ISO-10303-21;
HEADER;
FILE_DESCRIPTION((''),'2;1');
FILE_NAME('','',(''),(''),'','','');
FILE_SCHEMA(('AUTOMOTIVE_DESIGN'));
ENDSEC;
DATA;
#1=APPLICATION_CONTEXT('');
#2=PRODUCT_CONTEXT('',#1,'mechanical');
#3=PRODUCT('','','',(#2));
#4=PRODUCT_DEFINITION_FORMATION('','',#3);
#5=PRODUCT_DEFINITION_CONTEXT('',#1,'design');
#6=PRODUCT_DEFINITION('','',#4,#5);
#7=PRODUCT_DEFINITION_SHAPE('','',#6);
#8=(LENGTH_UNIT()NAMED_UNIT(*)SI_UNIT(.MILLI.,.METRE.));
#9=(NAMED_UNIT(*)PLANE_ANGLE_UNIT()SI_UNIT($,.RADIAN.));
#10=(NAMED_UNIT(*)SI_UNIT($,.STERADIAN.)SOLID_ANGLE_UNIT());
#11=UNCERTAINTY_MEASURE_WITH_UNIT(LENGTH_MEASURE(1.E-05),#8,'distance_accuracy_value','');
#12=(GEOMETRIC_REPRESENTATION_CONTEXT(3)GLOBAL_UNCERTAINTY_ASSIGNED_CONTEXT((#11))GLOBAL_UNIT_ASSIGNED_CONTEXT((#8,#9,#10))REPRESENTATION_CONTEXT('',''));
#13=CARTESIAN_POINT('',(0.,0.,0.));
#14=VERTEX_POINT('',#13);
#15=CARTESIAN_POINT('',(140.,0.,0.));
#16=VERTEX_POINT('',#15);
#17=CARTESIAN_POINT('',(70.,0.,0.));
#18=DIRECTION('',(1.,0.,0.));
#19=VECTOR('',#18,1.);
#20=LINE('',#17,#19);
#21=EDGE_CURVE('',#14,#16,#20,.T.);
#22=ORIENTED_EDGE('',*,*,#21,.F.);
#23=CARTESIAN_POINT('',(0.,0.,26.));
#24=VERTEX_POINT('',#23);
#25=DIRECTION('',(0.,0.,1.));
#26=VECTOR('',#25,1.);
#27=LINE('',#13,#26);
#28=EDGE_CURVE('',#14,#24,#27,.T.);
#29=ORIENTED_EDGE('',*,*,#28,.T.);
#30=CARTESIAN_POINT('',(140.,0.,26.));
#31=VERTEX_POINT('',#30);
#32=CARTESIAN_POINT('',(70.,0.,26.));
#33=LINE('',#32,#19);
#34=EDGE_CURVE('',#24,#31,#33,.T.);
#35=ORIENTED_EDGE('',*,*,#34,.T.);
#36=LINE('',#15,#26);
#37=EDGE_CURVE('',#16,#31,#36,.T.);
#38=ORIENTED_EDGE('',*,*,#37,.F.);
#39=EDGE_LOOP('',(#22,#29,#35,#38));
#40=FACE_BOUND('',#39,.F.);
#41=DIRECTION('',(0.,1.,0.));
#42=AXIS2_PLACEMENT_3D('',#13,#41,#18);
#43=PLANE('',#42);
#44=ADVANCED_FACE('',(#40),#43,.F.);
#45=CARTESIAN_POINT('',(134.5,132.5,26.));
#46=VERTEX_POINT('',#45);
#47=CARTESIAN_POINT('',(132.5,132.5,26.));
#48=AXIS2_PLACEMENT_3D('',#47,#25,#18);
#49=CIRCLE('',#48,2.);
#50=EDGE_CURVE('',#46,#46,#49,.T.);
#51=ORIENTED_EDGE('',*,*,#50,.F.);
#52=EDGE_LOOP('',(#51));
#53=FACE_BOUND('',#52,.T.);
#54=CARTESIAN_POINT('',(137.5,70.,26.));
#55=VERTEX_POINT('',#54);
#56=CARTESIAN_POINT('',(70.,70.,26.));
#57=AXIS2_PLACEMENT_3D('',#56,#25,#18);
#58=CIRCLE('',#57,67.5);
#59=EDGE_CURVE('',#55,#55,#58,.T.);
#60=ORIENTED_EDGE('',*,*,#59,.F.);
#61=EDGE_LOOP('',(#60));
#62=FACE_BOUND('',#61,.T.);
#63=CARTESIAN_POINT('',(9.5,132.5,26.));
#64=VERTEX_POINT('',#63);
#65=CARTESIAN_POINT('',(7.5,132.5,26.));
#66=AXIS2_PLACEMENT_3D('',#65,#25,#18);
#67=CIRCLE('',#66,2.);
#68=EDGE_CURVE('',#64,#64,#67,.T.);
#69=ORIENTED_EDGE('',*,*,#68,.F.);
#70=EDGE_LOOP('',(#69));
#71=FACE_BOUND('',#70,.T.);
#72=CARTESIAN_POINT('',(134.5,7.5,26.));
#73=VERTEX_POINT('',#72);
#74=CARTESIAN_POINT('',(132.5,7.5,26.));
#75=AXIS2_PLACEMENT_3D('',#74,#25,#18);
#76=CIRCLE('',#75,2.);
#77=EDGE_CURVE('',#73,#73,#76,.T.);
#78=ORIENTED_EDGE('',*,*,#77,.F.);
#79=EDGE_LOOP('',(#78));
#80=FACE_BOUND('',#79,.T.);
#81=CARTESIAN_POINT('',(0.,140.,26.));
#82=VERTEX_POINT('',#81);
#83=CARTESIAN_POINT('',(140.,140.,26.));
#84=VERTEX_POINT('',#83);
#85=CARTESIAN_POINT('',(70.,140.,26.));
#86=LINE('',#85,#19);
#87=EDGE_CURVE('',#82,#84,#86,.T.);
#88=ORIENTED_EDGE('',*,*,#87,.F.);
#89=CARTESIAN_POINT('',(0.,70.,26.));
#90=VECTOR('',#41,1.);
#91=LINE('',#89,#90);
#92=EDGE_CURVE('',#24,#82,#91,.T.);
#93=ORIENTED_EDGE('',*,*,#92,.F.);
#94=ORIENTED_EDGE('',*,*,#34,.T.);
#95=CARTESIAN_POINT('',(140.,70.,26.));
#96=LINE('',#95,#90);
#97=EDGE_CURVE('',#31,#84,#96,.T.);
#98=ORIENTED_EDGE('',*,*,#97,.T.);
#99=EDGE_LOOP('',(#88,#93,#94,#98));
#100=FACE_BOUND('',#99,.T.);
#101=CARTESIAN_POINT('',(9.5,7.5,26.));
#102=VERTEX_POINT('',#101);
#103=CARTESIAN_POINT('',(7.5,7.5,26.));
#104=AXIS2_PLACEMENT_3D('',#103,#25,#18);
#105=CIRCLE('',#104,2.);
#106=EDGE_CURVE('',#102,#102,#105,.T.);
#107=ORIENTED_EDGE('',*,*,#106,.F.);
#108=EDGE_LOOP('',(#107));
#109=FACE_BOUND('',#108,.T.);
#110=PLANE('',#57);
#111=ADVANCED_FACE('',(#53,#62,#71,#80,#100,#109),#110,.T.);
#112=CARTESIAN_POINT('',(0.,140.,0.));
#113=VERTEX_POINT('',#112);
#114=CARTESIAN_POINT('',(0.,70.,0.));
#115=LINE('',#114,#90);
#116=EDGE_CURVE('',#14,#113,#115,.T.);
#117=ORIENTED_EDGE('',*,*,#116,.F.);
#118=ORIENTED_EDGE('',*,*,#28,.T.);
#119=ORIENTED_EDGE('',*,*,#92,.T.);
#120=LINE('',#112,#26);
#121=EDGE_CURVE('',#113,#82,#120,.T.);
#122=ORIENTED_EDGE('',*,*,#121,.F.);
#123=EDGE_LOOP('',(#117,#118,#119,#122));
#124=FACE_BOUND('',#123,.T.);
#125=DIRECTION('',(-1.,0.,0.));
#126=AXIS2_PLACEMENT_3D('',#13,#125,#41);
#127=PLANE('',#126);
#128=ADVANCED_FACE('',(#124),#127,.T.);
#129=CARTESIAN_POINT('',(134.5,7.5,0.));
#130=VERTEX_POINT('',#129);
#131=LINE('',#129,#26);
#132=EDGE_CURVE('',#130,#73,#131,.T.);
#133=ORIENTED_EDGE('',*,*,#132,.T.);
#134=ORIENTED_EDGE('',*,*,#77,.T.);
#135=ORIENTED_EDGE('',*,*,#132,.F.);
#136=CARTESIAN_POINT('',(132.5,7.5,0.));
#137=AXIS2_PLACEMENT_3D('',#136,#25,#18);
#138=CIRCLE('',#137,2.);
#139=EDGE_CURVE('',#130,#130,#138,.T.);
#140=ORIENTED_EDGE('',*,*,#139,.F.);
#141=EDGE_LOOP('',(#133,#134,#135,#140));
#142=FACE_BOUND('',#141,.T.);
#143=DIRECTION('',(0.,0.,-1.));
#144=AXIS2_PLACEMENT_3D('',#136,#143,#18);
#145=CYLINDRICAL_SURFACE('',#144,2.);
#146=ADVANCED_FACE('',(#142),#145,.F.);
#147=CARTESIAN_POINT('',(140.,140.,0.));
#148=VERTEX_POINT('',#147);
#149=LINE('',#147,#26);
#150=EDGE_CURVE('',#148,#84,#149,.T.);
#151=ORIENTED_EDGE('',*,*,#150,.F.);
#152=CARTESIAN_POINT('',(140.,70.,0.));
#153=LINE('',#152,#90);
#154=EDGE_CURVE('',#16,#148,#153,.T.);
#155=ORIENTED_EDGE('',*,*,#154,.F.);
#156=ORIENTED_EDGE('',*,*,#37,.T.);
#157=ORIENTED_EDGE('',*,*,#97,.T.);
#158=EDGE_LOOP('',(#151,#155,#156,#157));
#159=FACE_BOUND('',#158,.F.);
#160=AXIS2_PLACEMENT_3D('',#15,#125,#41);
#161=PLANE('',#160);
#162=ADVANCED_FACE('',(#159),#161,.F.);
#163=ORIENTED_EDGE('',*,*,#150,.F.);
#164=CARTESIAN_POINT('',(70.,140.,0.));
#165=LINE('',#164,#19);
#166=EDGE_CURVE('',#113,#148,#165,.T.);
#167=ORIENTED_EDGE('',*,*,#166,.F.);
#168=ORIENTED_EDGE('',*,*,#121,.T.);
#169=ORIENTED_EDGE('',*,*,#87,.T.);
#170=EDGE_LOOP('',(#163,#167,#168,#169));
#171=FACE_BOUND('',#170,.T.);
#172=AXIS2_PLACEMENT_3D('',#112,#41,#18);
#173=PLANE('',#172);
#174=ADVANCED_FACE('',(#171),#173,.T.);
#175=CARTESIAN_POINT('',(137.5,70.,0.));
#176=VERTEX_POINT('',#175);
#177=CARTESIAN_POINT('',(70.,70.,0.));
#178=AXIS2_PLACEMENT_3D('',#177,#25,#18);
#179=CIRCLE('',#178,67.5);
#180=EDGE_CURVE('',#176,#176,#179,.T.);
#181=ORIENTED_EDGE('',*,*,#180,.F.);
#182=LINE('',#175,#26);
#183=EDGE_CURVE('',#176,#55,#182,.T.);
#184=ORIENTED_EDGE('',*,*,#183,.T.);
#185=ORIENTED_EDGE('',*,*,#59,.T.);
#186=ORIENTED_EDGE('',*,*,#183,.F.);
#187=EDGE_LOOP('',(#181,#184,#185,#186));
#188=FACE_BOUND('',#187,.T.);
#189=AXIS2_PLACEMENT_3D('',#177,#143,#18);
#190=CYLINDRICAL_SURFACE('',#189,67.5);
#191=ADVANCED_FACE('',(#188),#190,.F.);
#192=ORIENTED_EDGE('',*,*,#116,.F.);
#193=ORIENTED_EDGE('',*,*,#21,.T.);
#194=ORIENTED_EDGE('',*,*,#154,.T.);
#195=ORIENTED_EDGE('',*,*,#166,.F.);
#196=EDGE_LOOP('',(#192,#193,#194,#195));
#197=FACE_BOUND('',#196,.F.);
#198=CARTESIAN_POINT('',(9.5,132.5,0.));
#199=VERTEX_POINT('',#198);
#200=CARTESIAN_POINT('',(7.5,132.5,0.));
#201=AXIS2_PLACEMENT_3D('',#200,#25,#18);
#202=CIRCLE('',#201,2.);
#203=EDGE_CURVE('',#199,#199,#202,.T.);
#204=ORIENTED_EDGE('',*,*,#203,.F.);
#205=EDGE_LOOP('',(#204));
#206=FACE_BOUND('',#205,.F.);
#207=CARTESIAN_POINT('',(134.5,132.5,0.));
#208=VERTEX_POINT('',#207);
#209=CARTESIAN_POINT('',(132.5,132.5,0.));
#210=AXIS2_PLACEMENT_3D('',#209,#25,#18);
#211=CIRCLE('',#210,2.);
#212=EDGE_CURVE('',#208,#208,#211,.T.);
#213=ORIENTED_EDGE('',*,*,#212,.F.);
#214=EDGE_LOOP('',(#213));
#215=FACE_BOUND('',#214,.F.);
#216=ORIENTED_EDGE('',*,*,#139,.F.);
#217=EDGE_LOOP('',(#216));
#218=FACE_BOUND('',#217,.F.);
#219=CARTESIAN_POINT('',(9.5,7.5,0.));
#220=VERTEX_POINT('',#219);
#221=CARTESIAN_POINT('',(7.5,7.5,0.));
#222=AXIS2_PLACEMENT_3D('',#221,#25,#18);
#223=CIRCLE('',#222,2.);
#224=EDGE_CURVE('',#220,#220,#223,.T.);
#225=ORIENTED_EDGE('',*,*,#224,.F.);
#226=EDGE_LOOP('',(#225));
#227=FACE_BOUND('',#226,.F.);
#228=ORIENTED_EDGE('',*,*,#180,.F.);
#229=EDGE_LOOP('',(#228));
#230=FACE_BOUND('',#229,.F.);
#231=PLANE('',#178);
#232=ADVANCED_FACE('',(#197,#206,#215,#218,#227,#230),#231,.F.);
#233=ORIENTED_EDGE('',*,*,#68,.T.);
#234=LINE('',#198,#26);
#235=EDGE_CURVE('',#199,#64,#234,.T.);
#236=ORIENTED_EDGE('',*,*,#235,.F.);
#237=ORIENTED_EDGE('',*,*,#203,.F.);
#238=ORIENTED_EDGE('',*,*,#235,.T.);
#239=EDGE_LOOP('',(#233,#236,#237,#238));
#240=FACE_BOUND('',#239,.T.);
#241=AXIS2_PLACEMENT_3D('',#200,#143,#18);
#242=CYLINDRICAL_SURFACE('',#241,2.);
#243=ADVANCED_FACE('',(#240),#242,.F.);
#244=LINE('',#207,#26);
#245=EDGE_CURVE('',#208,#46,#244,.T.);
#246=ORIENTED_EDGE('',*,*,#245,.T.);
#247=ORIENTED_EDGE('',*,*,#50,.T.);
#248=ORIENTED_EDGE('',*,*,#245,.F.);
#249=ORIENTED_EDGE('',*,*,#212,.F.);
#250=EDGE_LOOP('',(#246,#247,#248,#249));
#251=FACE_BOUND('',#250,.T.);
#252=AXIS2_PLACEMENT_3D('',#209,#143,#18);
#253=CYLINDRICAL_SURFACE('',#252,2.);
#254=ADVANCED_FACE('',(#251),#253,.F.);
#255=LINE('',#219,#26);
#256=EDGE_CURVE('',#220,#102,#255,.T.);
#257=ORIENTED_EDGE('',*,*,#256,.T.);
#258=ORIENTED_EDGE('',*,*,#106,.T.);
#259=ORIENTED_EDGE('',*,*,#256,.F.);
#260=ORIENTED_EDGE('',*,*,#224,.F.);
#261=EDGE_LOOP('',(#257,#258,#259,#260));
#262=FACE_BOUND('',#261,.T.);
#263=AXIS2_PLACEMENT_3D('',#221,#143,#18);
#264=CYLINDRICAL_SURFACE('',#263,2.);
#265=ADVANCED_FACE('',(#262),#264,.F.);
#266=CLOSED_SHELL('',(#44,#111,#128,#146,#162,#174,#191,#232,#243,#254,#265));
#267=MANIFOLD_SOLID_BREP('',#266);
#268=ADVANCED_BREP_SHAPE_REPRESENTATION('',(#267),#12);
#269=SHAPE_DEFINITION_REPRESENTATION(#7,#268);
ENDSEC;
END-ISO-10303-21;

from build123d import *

# Parameters (mm, degrees)
SKETCH_1_W   = 140
SKETCH_1_H   = 140
SKETCH_1_R   = 67.5
SKETCH_1_R_2 = 2
PAD_DEPTH    = 26


with BuildPart() as part:
    # Sketch_1 → Pad (new body)
    with BuildSketch(Plane.XY):
        with Locations((70, 70)):
            Rectangle(SKETCH_1_W, SKETCH_1_H)
        with Locations((70, 70)):
            Circle(SKETCH_1_R, mode=Mode.SUBTRACT)
        with Locations((7.5, 132.5)):
            Circle(SKETCH_1_R_2, mode=Mode.SUBTRACT)
        with Locations((132.5, 132.5)):
            Circle(SKETCH_1_R_2, mode=Mode.SUBTRACT)
        with Locations((7.5, 7.5)):
            Circle(SKETCH_1_R_2, mode=Mode.SUBTRACT)
        with Locations((132.5, 7.5)):
            Circle(SKETCH_1_R_2, mode=Mode.SUBTRACT)
    extrude(amount=PAD_DEPTH)


solid = part.part
